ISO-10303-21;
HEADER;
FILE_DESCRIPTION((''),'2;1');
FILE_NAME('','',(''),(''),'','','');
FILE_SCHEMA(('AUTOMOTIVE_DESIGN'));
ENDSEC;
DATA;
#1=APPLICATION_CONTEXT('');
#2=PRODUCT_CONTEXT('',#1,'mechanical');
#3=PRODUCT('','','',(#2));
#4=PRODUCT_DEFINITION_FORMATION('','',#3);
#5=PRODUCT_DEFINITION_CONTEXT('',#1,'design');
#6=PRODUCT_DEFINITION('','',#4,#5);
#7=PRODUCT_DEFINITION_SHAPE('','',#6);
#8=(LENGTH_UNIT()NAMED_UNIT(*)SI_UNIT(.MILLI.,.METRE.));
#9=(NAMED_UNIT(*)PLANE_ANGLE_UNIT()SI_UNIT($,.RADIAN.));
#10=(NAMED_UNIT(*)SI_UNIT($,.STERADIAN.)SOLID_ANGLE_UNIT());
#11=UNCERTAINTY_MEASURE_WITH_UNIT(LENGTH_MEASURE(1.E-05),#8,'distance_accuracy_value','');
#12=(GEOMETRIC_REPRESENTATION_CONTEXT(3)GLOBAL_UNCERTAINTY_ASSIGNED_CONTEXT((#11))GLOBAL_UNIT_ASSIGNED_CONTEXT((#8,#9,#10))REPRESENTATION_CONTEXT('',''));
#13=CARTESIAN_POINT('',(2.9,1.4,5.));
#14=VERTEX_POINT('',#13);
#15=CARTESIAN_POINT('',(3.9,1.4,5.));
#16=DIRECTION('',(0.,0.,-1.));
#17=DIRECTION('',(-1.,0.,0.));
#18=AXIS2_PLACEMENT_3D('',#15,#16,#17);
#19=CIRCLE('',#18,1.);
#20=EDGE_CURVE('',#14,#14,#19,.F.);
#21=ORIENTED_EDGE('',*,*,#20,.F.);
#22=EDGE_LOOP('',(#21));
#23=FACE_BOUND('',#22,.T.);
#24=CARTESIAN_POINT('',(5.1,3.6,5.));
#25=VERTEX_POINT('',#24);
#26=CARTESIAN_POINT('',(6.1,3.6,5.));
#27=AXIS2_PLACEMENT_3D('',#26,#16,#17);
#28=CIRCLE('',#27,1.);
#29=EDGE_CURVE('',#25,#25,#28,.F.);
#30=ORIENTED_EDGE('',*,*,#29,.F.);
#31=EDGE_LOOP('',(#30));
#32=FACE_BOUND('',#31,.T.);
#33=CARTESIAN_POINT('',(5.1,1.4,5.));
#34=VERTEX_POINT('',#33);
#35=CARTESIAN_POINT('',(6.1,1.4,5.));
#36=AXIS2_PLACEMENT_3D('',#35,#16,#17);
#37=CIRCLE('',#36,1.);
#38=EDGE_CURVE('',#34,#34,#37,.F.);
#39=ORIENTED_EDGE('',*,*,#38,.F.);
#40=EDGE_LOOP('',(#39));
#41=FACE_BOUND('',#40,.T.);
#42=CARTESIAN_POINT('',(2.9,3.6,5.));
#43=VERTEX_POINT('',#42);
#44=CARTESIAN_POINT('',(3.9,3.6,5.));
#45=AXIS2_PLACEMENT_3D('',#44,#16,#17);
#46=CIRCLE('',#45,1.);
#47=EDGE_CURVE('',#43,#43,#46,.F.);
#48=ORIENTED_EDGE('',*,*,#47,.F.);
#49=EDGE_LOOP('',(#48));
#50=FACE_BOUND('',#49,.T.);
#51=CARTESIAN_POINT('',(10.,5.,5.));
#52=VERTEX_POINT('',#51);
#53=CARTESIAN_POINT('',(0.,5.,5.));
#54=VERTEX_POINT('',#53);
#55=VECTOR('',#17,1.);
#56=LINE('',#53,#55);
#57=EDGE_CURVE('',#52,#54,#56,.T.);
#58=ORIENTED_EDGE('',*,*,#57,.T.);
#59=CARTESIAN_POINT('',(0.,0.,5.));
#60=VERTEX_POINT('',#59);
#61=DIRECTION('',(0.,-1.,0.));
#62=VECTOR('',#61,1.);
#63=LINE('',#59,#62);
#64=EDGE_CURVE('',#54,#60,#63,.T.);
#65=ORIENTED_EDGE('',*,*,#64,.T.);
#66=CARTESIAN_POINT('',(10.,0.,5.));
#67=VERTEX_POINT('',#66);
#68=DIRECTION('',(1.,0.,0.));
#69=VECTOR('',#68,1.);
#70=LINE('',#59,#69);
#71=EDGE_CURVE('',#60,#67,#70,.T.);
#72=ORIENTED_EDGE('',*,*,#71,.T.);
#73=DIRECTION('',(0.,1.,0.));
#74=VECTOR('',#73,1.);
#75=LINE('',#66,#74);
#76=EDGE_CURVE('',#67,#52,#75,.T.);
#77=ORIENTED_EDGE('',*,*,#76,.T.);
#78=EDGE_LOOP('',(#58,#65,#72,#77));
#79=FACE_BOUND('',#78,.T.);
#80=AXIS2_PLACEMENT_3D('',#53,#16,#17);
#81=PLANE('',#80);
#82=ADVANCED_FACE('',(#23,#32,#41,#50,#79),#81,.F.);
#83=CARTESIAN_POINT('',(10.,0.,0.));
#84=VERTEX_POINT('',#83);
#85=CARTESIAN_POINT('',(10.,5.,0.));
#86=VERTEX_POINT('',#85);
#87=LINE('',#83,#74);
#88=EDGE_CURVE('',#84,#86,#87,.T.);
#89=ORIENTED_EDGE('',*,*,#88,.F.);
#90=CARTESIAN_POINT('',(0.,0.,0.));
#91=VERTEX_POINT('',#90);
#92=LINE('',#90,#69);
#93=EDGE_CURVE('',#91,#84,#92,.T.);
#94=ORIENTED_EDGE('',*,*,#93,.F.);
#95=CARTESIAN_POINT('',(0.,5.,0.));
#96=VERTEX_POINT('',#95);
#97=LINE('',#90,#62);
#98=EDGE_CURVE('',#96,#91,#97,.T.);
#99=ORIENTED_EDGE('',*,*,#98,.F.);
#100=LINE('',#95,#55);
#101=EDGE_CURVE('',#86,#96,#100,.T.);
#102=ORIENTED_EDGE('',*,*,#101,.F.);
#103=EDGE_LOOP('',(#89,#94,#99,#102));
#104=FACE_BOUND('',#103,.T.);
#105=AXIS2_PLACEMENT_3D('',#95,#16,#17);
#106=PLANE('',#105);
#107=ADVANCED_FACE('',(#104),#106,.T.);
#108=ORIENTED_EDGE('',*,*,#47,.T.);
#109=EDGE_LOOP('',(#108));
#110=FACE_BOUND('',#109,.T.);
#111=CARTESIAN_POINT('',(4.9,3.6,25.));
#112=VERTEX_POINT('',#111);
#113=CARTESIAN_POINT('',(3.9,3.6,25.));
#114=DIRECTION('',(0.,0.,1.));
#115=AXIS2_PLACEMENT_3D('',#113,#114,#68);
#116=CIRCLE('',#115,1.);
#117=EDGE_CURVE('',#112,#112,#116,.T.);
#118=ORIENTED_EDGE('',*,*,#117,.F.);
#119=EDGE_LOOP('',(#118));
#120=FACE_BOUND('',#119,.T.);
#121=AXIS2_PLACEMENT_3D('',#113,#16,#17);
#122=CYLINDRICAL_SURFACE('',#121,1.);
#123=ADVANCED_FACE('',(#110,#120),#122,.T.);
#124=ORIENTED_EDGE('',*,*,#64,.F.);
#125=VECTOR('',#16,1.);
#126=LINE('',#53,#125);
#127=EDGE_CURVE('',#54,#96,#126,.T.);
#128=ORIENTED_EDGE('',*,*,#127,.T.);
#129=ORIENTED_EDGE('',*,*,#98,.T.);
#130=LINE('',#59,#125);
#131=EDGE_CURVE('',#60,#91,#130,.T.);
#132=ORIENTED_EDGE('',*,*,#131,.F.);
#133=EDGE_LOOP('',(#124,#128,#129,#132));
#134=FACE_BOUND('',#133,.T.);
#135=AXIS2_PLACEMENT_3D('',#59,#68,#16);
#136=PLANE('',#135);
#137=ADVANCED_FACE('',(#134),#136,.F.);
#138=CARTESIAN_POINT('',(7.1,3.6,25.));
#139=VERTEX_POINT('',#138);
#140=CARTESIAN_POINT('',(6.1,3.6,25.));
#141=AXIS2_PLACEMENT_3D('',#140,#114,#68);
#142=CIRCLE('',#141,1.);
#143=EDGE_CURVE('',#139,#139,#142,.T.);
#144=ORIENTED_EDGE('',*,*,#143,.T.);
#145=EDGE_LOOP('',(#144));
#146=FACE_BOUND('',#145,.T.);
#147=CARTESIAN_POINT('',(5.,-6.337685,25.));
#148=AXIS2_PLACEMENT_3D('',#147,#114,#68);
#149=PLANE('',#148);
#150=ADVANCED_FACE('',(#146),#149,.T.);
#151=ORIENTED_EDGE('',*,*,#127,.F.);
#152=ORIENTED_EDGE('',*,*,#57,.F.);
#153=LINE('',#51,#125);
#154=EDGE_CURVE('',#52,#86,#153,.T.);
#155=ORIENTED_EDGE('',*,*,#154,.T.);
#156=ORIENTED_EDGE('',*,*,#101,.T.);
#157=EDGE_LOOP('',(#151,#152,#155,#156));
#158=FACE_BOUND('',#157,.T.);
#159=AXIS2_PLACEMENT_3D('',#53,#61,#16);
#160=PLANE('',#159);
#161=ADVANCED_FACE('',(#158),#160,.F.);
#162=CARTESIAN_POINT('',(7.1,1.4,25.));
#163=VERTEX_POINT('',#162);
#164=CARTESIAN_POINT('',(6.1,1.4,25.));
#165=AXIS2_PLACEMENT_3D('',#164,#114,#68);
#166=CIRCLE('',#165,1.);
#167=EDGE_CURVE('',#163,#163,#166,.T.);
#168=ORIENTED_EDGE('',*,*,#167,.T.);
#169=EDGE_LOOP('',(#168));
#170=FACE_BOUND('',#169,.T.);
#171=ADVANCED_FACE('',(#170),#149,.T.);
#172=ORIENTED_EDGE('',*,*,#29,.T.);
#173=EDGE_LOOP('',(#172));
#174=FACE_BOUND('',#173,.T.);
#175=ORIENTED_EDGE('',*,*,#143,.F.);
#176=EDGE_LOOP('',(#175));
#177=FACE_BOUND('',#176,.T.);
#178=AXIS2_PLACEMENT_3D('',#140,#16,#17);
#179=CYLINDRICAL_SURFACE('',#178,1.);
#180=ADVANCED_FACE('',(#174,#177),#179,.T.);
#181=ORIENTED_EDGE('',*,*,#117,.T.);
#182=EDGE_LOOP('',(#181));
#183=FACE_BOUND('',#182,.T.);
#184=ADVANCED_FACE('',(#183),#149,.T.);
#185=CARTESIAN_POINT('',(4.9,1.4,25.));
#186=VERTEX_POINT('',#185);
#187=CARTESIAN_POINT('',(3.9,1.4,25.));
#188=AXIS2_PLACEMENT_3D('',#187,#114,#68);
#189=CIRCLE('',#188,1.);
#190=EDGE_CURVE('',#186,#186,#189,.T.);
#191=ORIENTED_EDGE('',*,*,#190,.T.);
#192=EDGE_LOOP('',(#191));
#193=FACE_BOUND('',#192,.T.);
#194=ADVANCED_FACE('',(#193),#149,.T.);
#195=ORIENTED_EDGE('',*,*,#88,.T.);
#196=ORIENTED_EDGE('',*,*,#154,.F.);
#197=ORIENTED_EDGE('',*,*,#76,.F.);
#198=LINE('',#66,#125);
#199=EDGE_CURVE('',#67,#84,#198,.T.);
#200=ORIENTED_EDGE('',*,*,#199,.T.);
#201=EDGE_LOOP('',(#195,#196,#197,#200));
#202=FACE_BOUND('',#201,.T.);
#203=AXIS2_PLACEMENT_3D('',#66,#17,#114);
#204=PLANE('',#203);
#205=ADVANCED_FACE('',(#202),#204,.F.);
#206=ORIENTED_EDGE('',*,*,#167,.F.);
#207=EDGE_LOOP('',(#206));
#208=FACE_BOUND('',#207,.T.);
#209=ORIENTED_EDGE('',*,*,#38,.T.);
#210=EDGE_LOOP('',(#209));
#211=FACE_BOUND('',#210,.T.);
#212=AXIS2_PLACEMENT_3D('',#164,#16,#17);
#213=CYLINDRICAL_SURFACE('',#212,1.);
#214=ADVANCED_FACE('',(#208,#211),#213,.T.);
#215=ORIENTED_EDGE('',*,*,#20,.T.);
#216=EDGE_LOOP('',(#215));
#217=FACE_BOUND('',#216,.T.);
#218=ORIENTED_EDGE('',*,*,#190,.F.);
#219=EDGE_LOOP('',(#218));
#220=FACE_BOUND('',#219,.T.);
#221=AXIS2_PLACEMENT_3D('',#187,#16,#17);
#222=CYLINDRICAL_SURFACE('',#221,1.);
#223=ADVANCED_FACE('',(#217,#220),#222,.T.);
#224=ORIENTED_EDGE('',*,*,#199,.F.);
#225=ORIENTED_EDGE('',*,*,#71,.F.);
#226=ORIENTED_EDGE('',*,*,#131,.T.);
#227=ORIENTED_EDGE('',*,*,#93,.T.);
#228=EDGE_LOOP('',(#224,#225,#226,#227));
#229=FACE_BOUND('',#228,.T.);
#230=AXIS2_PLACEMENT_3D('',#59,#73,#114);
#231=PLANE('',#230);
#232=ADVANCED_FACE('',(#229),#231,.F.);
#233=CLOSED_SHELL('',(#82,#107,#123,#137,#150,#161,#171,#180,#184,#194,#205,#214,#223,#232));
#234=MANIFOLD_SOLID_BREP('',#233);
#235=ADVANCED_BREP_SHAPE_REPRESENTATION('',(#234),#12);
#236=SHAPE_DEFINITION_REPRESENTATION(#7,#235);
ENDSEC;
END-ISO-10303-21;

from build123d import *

# Parameters (mm, degrees)
SKETCH1_W           = 10
SKETCH1_H           = 5
BOSS_EXTRUDE1_DEPTH = 5
SKETCH2_R           = 1
BOSS_EXTRUDE2_DEPTH = 20


with BuildPart() as part:
    # Sketch1 → Boss-Extrude1 (new body)
    with BuildSketch(Plane.XY):
        with Locations((5, 2.5)):
            Rectangle(SKETCH1_W, SKETCH1_H)
    extrude(amount=BOSS_EXTRUDE1_DEPTH)

    # Sketch2 → Boss-Extrude2 (add)
    with BuildSketch(Plane.XY.offset(5)):
        with Locations(Location((3.9, 3.6, 0), (0, 0, 180))):
            Circle(SKETCH2_R)
        with Locations(Location((6.1, 3.6, 0), (0, 0, 180))):
            Circle(SKETCH2_R)
        with Locations(Location((3.9, 1.4, 0), (0, 0, 180))):
            Circle(SKETCH2_R)
        with Locations(Location((6.1, 1.4, 0), (0, 0, 180))):
            Circle(SKETCH2_R)
    extrude(amount=BOSS_EXTRUDE2_DEPTH)


solid = part.part
